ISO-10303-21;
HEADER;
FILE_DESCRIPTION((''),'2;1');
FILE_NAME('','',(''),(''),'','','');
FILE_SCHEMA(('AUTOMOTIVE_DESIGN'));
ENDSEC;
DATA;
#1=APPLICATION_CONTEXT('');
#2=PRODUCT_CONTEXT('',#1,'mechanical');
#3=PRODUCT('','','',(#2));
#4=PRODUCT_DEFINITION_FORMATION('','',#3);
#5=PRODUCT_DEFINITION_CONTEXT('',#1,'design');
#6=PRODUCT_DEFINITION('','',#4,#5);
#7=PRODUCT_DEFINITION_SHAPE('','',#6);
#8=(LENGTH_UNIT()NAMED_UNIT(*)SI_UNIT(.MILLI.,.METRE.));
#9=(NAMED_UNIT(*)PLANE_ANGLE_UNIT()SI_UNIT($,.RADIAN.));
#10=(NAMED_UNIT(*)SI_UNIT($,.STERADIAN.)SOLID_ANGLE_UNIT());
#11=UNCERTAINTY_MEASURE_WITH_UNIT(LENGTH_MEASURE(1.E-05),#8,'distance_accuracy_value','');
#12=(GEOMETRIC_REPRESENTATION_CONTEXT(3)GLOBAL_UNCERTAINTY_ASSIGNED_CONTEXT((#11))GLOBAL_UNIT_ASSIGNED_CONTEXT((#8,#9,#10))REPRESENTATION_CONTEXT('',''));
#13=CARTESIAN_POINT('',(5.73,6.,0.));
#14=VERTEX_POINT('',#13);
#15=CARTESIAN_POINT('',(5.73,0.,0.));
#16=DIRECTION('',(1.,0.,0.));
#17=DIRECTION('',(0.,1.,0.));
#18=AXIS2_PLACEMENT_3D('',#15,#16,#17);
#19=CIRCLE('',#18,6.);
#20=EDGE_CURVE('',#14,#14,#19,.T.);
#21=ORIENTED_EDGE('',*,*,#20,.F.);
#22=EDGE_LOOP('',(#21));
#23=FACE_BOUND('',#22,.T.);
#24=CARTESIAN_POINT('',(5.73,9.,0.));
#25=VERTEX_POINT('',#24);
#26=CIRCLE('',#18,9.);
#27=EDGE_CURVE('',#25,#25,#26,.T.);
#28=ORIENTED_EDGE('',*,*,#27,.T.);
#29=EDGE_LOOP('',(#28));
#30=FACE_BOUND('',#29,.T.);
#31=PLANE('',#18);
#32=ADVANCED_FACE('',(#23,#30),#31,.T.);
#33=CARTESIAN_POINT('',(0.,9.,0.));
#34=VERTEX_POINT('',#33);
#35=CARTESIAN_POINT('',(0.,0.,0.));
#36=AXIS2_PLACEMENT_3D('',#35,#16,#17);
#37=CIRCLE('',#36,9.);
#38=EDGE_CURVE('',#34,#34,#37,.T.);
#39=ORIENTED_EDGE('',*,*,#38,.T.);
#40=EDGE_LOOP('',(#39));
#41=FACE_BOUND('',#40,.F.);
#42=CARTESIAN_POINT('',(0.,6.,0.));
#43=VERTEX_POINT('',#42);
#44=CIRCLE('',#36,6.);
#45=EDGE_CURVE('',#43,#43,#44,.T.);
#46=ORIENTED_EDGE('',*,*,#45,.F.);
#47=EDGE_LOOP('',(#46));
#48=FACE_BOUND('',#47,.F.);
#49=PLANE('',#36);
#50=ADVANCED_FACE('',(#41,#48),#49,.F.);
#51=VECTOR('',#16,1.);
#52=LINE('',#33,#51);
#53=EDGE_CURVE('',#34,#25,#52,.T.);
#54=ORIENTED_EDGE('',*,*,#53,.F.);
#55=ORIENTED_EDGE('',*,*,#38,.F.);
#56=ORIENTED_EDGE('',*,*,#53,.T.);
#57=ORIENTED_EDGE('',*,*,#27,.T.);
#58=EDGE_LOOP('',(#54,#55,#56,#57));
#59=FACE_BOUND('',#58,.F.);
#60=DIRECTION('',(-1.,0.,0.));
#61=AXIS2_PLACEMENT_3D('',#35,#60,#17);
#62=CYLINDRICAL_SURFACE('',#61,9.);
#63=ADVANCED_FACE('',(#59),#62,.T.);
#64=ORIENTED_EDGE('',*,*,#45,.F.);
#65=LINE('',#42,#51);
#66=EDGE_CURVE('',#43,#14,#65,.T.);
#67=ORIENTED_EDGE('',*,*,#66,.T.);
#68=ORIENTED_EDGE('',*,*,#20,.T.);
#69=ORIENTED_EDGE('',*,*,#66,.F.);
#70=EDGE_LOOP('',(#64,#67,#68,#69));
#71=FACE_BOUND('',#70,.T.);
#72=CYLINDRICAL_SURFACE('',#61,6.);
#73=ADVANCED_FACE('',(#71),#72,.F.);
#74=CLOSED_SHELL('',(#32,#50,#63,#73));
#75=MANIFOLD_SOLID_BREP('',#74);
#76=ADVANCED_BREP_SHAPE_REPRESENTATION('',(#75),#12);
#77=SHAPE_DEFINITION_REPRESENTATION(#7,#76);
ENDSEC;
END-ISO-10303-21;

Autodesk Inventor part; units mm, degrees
ref_plane "YZ Plane" through (0, 0, 0) normal (1, 0, 0) x (0, 1, 0)
ref_plane "XZ Plane" through (0, 0, 0) normal (0, 1, 0) x (-1, 0, 0)
ref_plane "XY Plane" through (0, 0, 0) normal (0, 0, 1) x (1, 0, 0)
sketch "Sketch4" plane through (0, 0, 0) normal (1, 0, 0) x (0, 1, 0)
  circle A0 centre (0, 0) radius 6
  circle A1 centre (0, 0) radius 9
  dimension "d6" = 18
  dimension "d7" = 12
extrude "Extrusion2" add sketch "Sketch4" along normal blind 5.73
properties part number "DNM pin 12x6x28 spacer.STEP"
